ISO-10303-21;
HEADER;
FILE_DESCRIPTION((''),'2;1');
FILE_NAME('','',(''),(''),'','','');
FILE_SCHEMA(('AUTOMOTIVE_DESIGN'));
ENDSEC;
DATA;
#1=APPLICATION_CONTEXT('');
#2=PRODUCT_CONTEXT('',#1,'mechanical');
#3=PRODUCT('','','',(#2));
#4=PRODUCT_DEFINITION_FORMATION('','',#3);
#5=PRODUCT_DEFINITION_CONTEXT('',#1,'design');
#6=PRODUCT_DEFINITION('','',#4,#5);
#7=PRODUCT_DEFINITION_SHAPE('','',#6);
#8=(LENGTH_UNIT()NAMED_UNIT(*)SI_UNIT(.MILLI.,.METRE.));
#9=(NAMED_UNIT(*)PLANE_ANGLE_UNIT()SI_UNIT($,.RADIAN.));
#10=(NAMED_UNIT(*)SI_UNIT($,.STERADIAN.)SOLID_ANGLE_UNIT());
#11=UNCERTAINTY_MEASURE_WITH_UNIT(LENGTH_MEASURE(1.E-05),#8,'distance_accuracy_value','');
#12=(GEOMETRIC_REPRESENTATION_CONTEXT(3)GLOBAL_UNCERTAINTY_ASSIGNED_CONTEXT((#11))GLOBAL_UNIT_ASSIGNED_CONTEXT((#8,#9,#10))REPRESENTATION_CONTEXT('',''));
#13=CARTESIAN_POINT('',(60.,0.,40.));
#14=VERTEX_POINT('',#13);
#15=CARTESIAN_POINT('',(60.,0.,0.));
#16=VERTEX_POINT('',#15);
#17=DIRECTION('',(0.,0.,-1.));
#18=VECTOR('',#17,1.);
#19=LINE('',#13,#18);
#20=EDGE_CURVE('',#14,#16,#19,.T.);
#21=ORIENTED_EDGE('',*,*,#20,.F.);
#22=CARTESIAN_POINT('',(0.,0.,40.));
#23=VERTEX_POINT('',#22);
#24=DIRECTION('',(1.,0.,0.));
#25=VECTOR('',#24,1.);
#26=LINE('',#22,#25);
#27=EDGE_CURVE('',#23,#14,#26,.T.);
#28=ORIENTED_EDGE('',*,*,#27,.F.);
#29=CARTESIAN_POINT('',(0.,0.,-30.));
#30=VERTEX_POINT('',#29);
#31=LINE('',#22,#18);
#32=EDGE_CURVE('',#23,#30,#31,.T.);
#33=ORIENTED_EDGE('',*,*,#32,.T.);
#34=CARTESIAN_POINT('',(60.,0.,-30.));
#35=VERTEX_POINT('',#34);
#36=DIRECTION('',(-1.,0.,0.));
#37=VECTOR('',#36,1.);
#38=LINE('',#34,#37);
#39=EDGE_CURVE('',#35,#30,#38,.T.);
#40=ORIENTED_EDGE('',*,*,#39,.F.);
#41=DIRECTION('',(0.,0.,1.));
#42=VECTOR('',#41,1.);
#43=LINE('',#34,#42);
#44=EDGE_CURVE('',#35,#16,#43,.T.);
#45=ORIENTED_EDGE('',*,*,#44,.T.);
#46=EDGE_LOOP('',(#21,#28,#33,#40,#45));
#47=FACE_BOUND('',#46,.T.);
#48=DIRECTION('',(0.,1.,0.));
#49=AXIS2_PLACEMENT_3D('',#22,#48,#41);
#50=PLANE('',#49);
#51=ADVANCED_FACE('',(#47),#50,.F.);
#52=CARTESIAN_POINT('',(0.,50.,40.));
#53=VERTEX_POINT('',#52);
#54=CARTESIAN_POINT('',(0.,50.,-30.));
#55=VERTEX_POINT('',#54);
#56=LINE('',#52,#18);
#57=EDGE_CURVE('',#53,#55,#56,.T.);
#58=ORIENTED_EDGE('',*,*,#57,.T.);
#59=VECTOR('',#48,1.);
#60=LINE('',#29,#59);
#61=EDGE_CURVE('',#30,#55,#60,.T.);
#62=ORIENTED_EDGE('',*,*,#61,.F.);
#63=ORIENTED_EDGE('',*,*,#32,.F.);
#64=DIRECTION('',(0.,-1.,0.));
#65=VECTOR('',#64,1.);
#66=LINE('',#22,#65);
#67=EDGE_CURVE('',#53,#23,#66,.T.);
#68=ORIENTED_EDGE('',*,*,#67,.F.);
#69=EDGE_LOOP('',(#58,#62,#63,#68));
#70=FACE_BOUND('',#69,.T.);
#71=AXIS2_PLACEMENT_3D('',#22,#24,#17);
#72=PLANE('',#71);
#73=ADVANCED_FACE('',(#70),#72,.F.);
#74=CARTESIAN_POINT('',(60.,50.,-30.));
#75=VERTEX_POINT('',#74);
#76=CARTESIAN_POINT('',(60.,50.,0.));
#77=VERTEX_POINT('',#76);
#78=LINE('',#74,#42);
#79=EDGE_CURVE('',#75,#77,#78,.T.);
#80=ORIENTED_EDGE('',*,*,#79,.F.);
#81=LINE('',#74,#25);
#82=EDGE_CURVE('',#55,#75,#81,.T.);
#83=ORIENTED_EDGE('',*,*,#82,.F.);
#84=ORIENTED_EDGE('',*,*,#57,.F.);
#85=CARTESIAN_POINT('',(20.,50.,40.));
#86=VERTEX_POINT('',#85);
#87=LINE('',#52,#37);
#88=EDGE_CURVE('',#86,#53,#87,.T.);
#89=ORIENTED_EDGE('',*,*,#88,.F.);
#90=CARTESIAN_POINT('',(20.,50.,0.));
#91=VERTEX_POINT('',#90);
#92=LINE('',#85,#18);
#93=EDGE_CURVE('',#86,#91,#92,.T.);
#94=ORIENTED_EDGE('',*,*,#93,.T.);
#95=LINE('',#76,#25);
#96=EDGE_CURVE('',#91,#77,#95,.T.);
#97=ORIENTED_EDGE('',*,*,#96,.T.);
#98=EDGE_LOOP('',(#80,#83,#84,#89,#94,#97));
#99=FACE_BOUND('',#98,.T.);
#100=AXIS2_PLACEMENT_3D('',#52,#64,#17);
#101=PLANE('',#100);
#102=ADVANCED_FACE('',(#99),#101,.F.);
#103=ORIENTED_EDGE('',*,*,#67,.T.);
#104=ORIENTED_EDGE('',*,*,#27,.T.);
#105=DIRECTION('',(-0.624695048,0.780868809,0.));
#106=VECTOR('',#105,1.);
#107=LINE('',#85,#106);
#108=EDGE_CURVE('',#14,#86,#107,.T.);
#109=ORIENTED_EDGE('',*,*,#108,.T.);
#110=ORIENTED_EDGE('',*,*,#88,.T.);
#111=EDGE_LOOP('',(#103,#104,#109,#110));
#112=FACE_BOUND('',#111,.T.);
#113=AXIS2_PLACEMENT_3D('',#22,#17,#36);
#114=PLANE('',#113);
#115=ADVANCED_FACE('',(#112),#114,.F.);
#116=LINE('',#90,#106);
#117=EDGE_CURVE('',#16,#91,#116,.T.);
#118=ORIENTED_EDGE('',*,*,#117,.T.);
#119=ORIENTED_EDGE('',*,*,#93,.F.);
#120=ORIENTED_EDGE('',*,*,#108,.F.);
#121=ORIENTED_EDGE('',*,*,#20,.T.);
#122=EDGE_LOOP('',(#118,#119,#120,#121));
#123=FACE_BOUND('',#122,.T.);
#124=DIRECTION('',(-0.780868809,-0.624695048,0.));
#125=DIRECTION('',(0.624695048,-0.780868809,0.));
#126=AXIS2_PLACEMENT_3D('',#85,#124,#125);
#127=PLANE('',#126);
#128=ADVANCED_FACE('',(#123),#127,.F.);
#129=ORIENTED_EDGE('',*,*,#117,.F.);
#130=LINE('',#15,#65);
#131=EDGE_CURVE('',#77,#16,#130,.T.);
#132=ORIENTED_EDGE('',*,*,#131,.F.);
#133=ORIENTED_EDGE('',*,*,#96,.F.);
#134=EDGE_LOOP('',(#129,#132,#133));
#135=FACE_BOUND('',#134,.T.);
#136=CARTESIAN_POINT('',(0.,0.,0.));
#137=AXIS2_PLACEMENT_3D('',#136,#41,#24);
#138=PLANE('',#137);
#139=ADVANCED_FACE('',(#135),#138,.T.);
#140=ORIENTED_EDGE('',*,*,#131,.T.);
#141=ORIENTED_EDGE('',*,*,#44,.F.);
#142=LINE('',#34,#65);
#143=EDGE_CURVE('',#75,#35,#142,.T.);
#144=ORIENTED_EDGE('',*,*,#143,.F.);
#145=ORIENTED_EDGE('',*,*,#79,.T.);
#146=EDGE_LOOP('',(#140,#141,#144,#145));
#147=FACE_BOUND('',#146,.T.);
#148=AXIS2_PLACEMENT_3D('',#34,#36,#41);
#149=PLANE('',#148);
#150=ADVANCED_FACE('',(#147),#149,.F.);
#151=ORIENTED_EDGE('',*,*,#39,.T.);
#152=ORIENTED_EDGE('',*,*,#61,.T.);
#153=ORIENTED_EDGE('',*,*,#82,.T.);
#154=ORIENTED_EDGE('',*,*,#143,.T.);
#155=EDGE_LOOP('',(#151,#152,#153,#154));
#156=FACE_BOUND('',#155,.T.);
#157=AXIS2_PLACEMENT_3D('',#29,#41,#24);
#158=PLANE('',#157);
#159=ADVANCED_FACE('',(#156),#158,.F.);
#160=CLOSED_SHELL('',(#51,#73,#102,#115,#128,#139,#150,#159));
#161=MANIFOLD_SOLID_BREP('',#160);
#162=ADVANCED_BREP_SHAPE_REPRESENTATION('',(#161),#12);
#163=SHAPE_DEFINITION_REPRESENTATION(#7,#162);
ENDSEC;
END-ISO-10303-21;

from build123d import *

# Parameters (mm, degrees)
RESSALTO_EXTRUS_O1_DEPTH = 40
ESBO_O2_W                = 60
ESBO_O2_H                = 50
RESSALTO_EXTRUS_O2_DEPTH = 30


with BuildPart() as part:
    # Esboço1 → Ressalto-extrusão1 (new body)
    with BuildSketch(Plane.XY):
        Polygon((0, 0), (60, 0), (20, 50), (0, 50), align=None)
    extrude(amount=RESSALTO_EXTRUS_O1_DEPTH)

    # Esboço2 → Ressalto-extrusão2 (add)
    with BuildSketch(Plane(origin=(0, 0, 0), x_dir=(-1, 0, 0), z_dir=(0, 0, -1))):
        with Locations((-30, 25)):
            Rectangle(ESBO_O2_W, ESBO_O2_H)
    extrude(amount=RESSALTO_EXTRUS_O2_DEPTH)


solid = part.part
